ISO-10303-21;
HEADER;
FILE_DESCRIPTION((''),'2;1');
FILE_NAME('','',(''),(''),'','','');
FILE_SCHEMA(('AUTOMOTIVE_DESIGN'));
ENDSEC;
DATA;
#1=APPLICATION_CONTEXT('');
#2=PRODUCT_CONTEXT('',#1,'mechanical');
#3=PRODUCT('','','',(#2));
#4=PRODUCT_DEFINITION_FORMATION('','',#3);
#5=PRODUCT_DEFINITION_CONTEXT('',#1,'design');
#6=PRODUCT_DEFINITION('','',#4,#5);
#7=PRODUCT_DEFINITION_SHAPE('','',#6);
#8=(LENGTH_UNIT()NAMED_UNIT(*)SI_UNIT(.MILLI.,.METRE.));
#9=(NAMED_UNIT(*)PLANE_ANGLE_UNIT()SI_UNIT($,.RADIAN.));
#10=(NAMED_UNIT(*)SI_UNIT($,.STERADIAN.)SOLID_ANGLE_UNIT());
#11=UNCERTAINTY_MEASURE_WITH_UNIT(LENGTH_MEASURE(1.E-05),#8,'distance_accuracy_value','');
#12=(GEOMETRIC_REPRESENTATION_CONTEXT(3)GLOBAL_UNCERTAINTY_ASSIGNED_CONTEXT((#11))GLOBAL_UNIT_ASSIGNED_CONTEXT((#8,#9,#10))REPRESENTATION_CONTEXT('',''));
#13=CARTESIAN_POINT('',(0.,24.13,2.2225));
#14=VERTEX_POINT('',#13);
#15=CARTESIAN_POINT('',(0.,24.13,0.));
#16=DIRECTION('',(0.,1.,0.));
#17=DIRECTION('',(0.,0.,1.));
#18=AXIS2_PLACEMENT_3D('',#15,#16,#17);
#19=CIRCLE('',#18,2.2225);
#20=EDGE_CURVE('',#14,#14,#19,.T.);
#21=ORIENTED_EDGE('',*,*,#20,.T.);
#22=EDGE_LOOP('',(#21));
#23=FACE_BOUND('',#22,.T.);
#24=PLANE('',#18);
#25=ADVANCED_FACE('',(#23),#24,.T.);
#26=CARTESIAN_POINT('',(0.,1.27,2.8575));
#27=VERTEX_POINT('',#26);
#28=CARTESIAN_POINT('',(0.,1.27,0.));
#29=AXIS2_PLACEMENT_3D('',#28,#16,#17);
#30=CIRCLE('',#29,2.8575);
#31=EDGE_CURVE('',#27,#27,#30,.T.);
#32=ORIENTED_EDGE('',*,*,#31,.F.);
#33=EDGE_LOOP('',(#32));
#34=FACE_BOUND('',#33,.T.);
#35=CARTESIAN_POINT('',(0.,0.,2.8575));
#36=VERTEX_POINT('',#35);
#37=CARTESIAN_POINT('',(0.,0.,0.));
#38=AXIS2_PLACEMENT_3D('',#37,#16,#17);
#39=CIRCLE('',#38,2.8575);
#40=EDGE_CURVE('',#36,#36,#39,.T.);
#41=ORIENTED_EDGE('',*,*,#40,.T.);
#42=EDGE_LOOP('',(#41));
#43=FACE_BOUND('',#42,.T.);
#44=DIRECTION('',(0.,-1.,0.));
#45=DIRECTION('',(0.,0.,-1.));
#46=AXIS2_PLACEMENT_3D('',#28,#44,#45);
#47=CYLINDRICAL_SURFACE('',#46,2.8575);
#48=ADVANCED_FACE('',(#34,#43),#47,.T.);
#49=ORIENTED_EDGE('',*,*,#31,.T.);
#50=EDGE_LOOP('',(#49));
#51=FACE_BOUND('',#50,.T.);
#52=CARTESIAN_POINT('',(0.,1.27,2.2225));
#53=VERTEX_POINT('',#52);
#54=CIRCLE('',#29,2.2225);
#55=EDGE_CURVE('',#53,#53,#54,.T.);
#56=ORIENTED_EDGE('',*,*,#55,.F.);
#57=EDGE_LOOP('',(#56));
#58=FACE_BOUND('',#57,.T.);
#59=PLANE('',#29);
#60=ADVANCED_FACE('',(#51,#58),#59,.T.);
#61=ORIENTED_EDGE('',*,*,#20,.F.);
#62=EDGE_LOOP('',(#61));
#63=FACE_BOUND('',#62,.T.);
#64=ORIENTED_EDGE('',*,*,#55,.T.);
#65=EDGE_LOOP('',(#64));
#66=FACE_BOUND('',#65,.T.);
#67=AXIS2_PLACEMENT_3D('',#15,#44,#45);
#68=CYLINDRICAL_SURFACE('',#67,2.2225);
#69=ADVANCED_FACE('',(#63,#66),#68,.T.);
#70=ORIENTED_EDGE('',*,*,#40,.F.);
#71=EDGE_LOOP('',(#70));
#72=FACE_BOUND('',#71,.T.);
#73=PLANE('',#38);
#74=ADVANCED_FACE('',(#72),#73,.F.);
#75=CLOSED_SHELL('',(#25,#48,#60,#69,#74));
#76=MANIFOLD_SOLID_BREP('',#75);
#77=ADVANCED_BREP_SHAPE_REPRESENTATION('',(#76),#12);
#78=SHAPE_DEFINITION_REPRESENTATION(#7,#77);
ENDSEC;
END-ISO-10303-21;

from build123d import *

# Parameters (mm, degrees)
SKETCH1_R           = 2.8575
BOSS_EXTRUDE1_DEPTH = 1.27
SKETCH2_R           = 2.2225
BOSS_EXTRUDE2_DEPTH = 22.86


with BuildPart() as part:
    # Sketch1 → Boss-Extrude1 (new body)
    with BuildSketch(Plane(origin=(0, 0, 0), x_dir=(1, 0, 0), z_dir=(0, 1, 0))):
        Circle(SKETCH1_R)
    extrude(amount=BOSS_EXTRUDE1_DEPTH)

    # Sketch2 → Boss-Extrude2 (add)
    with BuildSketch(Plane(origin=(0, 1.27, 0), x_dir=(1, 0, 0), z_dir=(0, 1, 0))):
        Circle(SKETCH2_R)
    extrude(amount=BOSS_EXTRUDE2_DEPTH)


solid = part.part
